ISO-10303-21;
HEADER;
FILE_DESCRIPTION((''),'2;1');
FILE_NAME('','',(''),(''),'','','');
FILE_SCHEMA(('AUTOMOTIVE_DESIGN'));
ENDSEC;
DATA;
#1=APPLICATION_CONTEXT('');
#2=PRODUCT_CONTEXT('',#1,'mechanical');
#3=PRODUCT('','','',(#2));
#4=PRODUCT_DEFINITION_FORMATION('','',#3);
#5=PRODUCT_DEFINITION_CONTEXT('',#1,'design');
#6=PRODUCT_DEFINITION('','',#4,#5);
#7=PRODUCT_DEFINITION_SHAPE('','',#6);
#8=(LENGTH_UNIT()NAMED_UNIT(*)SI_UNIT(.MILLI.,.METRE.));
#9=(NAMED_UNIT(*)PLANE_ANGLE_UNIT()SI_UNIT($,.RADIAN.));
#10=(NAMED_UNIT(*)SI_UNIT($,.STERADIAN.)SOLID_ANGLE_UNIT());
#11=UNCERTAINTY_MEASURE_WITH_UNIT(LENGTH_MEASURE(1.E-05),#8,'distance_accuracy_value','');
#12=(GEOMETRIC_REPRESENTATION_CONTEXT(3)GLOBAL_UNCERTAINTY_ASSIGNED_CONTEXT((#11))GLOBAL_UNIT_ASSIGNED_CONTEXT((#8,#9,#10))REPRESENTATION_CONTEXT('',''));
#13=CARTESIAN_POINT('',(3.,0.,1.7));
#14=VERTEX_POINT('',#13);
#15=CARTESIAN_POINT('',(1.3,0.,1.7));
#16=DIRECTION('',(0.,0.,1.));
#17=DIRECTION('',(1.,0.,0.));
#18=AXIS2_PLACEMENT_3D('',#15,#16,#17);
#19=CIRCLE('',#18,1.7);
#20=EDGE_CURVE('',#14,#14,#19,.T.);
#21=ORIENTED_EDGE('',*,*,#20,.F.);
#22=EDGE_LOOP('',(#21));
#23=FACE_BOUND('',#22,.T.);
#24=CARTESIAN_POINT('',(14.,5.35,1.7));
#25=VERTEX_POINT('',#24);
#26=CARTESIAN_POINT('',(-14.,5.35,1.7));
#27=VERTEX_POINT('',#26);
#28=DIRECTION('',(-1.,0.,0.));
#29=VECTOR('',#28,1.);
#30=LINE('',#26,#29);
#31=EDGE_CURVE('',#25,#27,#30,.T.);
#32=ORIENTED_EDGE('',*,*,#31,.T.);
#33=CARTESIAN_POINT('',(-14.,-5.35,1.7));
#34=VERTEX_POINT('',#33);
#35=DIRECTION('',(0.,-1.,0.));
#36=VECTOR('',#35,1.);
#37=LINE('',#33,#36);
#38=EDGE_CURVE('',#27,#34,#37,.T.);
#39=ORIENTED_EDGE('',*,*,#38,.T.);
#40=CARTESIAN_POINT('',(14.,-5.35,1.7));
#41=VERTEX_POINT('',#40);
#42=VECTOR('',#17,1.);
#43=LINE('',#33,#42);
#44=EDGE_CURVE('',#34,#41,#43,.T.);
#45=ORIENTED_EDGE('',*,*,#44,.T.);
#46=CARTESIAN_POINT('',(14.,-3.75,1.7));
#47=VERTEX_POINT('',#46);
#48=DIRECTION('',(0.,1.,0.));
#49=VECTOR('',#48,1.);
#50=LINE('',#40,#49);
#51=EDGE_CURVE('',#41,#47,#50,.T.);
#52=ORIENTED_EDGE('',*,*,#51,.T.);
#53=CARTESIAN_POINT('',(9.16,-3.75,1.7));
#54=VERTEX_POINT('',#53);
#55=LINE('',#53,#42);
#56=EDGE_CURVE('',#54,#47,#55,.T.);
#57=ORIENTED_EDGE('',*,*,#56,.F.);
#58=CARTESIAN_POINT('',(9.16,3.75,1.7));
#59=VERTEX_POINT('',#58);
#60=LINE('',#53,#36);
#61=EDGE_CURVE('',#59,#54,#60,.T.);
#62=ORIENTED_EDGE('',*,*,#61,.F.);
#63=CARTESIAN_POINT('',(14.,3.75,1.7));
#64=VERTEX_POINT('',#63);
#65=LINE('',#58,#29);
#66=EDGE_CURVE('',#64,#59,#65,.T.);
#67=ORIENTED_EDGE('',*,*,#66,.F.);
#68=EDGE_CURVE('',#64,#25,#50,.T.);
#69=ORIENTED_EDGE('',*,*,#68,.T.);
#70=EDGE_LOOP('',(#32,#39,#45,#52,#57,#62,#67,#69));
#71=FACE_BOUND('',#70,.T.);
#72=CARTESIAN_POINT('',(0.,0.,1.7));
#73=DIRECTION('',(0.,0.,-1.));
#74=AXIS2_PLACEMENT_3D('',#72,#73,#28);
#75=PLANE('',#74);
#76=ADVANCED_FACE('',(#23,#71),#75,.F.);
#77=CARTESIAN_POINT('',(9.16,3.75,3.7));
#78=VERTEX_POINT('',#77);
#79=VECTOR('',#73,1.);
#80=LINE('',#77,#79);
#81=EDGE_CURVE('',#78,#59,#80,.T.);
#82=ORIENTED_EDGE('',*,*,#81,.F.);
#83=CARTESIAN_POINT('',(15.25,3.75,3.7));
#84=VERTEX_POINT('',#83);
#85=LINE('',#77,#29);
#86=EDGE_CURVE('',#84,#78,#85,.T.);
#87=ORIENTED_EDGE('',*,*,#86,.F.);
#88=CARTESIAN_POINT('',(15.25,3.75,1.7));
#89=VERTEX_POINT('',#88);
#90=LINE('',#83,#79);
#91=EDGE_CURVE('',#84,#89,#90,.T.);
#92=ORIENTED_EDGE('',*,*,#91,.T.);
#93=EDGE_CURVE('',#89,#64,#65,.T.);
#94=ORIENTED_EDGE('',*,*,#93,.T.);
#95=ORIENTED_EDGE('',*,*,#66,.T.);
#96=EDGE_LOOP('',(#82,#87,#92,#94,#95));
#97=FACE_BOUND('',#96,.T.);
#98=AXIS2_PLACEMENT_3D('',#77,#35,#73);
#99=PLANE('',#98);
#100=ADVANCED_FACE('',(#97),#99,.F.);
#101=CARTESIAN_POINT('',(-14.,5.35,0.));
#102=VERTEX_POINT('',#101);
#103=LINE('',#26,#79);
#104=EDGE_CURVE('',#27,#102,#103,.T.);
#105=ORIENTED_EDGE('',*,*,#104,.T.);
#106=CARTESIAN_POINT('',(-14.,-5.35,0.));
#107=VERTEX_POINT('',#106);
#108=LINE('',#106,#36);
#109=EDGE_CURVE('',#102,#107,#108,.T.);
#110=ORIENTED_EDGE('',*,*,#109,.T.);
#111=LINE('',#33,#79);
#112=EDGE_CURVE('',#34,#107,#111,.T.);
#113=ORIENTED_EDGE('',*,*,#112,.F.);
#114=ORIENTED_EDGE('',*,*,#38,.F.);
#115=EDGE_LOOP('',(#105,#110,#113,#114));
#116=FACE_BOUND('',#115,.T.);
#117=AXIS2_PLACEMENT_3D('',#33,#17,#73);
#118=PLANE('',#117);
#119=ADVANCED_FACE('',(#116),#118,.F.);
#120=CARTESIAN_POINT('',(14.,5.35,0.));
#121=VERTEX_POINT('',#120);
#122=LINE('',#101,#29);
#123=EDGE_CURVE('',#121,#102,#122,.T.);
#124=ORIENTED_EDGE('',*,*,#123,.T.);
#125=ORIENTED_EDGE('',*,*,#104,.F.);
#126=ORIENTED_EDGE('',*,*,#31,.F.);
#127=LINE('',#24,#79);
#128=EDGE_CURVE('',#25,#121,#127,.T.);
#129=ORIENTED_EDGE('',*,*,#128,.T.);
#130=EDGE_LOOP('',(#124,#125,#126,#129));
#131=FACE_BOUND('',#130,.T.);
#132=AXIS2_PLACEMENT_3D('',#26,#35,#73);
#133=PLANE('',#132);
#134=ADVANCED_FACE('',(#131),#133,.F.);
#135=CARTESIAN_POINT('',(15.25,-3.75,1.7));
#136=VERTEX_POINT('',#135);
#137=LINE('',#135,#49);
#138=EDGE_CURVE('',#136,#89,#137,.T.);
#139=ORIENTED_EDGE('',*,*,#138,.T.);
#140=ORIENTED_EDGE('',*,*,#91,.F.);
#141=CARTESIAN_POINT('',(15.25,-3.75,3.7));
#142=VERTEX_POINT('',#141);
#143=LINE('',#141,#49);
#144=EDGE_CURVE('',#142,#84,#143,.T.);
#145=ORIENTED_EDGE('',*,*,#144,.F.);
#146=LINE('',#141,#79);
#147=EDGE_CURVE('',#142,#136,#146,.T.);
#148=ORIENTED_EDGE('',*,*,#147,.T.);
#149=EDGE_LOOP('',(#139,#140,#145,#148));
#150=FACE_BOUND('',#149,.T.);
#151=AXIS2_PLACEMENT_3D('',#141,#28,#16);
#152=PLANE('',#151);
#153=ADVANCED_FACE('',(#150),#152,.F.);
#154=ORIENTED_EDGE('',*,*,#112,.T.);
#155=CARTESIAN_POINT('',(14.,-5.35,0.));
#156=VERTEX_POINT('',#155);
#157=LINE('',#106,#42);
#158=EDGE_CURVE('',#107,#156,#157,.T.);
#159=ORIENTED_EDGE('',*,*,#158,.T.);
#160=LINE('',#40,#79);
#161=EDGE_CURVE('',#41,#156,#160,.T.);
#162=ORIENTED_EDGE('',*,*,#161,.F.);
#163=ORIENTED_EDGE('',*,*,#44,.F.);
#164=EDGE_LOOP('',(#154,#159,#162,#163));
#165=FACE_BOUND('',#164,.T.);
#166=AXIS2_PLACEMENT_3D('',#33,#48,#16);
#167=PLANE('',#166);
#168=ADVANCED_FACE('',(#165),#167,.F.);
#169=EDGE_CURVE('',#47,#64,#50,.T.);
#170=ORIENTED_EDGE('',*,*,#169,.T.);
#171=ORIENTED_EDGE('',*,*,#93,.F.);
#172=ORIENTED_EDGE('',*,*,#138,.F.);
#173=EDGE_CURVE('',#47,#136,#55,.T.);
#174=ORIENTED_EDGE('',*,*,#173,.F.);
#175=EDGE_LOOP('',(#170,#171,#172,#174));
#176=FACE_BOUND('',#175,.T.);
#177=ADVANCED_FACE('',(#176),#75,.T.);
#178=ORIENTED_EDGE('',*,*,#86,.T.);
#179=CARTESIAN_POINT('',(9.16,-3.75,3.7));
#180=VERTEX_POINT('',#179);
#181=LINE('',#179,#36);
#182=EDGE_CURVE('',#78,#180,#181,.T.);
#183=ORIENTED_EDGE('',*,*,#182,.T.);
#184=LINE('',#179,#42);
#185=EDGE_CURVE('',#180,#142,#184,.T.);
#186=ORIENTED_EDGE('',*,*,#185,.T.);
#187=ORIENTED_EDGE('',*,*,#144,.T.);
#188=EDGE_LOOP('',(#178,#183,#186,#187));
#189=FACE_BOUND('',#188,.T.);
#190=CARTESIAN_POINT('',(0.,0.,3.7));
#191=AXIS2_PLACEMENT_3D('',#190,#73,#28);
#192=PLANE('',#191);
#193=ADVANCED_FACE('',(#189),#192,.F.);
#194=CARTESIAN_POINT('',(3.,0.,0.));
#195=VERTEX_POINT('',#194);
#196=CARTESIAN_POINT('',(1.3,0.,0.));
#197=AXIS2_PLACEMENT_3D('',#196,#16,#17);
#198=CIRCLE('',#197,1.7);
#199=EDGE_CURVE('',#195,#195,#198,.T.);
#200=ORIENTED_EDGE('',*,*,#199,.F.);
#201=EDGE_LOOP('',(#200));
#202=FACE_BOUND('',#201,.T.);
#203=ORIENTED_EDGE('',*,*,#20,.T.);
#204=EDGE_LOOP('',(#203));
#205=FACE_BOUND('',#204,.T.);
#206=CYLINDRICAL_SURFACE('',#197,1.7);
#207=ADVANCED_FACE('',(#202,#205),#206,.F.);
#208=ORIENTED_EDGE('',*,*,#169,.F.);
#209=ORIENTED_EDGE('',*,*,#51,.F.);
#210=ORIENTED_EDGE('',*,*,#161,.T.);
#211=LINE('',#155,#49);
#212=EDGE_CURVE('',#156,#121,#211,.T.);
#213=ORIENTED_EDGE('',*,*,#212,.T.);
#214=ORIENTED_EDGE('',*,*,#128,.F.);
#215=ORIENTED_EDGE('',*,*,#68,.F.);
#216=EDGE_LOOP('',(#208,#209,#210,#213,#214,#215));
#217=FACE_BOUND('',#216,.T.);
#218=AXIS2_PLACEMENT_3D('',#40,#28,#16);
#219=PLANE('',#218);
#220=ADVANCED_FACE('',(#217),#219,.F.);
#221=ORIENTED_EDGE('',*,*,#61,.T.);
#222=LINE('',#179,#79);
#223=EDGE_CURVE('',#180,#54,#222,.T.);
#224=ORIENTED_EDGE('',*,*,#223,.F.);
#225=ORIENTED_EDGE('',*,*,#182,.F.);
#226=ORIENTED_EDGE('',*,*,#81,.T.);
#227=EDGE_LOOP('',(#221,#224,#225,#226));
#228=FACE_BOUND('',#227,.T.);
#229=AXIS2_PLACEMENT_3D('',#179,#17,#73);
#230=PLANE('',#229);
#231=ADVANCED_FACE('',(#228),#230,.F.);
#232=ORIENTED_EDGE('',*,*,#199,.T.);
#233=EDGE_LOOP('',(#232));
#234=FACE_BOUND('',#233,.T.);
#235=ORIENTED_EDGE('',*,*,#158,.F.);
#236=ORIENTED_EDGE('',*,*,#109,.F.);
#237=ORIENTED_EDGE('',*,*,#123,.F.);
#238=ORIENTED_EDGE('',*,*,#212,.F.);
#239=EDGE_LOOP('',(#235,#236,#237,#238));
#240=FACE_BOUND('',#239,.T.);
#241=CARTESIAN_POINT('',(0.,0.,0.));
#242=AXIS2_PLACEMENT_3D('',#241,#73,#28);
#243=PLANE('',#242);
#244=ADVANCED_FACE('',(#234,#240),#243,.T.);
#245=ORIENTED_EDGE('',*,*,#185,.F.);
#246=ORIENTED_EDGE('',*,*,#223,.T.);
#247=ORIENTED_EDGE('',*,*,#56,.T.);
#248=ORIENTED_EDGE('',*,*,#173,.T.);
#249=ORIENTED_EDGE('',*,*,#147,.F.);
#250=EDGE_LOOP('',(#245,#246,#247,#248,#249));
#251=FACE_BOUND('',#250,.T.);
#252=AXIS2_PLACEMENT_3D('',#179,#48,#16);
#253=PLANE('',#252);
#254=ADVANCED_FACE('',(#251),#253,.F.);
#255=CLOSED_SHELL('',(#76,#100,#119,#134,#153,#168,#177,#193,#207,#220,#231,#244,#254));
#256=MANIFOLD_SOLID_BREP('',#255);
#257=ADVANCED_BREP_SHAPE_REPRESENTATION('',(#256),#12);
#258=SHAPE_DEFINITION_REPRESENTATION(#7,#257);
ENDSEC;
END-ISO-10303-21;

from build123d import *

# Parameters (mm, degrees)
SKETCH1_W           = 28
SKETCH1_H           = 10.7
BOSS_EXTRUDE1_DEPTH = 1.7
SKETCH2_R           = 1.7
CUT_EXTRUDE1_DEPTH  = 16.083517494
SKETCH3_W           = 6.09
SKETCH3_H           = 7.5
BOSS_EXTRUDE2_DEPTH = 2


with BuildPart() as part:
    # Sketch1 → Boss-Extrude1 (new body)
    with BuildSketch(Plane.XY):
        Rectangle(SKETCH1_W, SKETCH1_H)
    extrude(amount=BOSS_EXTRUDE1_DEPTH)

    # Sketch2 → Cut-Extrude1 (cut, through all)
    with BuildSketch(Plane.XY.offset(1.7)):
        with Locations((1.3, 0)):
            Circle(SKETCH2_R)
    extrude(amount=-CUT_EXTRUDE1_DEPTH, mode=Mode.SUBTRACT)

    # Sketch3 → Boss-Extrude2 (add)
    with BuildSketch(Plane.XY.offset(1.7)):
        with Locations((12.205, 0)):
            Rectangle(SKETCH3_W, SKETCH3_H)
    extrude(amount=BOSS_EXTRUDE2_DEPTH)


solid = part.part
